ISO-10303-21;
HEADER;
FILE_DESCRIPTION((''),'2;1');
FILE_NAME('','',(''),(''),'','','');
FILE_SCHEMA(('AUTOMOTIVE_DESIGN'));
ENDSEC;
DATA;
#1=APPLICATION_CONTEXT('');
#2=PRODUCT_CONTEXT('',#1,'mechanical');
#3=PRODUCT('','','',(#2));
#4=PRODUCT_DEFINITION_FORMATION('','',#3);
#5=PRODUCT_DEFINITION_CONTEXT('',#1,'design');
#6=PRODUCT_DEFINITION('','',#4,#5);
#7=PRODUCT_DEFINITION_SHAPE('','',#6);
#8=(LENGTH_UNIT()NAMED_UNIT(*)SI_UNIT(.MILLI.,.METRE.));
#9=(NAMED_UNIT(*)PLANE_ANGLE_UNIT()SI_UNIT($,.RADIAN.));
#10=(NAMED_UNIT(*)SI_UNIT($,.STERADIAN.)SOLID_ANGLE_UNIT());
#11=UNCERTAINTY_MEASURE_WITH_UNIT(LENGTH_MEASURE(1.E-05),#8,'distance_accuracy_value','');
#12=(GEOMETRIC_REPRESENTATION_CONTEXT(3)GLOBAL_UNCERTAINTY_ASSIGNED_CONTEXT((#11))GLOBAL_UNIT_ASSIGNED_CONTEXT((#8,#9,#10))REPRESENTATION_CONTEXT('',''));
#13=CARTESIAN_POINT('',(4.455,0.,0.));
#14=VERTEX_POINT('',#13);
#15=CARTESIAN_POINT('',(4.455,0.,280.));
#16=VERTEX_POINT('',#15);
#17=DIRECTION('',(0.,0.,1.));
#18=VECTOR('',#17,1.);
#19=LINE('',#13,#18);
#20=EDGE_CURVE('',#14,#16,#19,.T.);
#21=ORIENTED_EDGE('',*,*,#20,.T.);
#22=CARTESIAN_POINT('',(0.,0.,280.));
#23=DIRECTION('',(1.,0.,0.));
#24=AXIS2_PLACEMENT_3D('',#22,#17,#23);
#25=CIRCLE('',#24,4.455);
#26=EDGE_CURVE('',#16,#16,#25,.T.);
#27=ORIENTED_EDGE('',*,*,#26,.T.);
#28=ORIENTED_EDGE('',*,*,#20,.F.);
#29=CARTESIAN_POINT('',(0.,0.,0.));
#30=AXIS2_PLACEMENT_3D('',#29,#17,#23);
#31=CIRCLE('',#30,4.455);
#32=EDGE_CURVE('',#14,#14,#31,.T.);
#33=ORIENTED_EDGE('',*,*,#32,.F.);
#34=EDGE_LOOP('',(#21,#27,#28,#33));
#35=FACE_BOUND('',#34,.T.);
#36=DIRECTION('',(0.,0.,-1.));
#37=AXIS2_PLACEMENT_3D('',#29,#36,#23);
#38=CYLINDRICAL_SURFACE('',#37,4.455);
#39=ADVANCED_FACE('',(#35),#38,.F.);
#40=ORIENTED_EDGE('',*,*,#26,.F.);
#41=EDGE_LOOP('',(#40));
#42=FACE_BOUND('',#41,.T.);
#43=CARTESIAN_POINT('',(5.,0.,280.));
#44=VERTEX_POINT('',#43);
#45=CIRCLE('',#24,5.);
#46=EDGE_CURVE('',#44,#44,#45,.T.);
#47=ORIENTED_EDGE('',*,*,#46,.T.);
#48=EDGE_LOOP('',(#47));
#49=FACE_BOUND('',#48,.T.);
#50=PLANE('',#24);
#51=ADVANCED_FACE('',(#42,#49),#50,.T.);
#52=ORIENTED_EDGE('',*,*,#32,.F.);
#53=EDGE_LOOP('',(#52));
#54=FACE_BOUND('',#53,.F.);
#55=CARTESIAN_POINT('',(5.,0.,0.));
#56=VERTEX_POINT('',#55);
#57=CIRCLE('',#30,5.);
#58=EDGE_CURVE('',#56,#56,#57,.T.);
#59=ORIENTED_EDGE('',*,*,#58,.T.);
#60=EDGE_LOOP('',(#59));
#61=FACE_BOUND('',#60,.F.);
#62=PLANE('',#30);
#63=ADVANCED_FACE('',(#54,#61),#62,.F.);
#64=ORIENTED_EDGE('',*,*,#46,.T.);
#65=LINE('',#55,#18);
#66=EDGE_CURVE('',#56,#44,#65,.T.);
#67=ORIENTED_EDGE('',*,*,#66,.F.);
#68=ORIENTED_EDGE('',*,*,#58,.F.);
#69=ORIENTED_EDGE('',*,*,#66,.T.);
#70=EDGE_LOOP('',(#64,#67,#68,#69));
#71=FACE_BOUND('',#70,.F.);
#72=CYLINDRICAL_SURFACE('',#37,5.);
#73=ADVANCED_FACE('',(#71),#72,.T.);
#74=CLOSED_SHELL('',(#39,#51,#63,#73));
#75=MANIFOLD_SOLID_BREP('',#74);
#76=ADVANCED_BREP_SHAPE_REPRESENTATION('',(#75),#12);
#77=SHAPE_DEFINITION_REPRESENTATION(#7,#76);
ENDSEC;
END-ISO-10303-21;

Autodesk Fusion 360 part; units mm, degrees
sketch "Sketch1" plane through (0, 0, 0) normal (0, 0, 1) x (1, 0, 0)
  circle A0 centre (0, 0) radius 4.455
  circle A1 centre (0, 0) radius 5
  dimension "d2" = 10
  dimension "d6" = 8.91
extrude "Extrude1" add sketch "Sketch1" along normal blind 280
